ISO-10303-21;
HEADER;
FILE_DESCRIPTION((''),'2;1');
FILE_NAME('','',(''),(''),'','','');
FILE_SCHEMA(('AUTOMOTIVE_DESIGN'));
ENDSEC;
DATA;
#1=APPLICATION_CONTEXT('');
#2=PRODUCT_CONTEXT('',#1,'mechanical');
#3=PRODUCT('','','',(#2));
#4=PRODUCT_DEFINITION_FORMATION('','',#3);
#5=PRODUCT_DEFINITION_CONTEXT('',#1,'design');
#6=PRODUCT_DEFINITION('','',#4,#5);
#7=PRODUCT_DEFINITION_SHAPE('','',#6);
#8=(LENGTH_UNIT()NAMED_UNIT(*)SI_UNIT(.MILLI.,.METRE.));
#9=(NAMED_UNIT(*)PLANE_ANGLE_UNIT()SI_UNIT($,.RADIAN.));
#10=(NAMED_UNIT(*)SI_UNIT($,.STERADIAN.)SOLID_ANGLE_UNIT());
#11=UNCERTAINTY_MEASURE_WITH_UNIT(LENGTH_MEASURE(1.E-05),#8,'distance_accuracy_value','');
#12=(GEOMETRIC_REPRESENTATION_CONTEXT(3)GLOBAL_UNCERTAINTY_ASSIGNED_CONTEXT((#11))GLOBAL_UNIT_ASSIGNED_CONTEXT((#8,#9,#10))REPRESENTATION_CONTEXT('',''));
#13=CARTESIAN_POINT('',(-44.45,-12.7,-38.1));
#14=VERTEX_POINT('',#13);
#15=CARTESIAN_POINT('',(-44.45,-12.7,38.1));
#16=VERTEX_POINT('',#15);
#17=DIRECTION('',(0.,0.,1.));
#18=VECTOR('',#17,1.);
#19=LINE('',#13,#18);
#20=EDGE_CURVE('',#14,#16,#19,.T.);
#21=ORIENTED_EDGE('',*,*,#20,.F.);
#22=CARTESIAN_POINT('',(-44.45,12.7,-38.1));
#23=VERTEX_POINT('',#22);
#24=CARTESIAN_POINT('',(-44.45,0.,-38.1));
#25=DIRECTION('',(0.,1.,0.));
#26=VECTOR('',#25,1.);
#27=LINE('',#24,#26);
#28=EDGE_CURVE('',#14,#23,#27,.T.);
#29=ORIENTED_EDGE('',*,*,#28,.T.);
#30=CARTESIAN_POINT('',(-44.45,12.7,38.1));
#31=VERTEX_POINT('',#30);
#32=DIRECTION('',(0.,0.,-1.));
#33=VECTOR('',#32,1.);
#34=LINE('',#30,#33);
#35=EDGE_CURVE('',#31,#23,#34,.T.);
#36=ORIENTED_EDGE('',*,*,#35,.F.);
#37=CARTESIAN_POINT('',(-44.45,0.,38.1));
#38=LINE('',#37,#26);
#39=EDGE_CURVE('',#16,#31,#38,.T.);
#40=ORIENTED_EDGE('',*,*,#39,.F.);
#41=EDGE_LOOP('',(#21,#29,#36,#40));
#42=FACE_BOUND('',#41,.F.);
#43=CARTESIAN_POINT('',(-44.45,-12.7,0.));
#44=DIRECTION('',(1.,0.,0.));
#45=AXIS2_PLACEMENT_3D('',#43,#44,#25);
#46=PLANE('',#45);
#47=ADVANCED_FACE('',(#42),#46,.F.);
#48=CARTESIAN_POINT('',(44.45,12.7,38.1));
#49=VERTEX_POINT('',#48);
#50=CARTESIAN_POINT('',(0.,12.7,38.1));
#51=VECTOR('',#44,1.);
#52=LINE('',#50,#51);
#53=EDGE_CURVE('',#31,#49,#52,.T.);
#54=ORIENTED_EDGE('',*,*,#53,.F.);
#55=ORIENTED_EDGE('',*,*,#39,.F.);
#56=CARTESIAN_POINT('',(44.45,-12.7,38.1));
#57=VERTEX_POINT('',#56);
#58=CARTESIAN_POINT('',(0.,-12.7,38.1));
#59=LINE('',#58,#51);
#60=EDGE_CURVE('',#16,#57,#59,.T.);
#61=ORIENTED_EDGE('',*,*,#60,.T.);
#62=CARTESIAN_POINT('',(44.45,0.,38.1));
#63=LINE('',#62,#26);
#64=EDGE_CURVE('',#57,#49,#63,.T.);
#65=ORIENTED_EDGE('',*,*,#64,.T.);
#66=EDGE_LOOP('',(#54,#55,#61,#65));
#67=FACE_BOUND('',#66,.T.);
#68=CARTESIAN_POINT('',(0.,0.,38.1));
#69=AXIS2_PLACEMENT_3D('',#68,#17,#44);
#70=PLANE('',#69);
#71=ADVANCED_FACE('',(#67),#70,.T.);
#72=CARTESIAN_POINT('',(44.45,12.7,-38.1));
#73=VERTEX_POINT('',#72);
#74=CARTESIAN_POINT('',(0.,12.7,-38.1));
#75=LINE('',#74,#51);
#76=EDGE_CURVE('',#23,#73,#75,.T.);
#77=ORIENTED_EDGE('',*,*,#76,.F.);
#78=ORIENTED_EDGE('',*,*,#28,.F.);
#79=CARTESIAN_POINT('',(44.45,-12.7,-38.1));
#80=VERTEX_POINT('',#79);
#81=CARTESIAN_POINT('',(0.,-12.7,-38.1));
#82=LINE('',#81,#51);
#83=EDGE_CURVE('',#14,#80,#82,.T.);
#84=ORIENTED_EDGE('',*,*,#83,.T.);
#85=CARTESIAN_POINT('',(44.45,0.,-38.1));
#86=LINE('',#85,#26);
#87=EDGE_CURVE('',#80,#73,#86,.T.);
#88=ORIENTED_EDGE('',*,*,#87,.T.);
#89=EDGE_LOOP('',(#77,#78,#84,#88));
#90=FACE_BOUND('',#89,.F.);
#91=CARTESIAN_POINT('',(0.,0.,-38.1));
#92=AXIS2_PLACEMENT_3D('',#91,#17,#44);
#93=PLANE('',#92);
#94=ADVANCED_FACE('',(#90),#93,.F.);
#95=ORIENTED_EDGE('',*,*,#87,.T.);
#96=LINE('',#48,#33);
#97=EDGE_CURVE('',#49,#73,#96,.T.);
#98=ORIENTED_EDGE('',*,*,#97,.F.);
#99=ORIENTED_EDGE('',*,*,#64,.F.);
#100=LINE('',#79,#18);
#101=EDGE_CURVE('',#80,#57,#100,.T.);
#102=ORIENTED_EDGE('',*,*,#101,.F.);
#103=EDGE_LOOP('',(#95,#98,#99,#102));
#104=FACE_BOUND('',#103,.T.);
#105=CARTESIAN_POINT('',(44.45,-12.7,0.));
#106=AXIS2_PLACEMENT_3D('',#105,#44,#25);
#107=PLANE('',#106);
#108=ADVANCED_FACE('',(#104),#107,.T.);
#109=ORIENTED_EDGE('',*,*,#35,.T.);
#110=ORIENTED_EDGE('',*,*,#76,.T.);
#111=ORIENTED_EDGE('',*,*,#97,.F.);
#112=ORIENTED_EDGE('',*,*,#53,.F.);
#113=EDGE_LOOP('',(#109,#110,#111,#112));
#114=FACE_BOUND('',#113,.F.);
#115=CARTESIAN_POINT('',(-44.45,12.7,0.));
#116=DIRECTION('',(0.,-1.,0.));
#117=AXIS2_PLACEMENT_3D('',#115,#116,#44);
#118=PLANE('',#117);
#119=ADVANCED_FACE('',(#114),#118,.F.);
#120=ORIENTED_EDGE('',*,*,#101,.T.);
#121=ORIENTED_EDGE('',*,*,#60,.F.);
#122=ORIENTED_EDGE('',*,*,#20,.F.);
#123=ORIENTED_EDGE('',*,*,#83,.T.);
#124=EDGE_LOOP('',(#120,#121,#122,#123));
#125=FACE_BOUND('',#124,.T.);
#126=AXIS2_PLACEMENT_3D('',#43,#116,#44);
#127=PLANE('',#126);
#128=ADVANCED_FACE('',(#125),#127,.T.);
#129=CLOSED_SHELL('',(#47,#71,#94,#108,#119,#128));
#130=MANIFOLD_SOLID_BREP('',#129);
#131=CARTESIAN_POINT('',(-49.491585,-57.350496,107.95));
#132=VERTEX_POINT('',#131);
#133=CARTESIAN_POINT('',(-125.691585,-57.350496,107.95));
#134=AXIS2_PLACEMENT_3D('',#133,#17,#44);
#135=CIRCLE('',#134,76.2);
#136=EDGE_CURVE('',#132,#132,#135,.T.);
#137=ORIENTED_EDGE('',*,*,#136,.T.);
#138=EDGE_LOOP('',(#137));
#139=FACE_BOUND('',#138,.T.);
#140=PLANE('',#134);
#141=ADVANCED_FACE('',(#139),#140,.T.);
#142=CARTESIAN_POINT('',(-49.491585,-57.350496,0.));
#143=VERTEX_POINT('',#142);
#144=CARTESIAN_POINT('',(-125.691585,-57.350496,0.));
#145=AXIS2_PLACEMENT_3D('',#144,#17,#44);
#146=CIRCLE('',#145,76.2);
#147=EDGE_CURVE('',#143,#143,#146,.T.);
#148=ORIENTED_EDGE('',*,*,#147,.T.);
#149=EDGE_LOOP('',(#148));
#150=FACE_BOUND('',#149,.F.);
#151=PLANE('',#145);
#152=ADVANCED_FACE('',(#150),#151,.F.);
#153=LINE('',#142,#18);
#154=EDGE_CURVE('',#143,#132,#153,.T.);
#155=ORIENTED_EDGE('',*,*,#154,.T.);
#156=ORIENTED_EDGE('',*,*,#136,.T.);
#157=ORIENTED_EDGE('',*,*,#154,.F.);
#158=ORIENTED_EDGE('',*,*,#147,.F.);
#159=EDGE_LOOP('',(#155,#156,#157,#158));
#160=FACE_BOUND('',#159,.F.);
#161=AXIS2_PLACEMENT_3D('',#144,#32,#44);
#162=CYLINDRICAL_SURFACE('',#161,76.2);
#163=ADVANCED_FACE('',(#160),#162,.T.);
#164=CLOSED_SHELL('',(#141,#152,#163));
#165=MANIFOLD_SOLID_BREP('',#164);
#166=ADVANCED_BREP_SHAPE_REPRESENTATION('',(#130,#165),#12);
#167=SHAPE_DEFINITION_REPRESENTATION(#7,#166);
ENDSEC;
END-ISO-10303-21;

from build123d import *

# Parameters (mm, degrees)
F0_W     = 88.9
F0_H     = 25.4
F1_DEPTH = 38.1
F2_R     = 76.2
F3_DEPTH = 107.95


with BuildPart() as f1:
    # F0 (on Top) → F1 (new body, symmetric)
    with BuildSketch(Plane.XY):
        Rectangle(F0_W, F0_H)
    extrude(amount=F1_DEPTH, both=True)


with BuildPart() as f3:
    # F2 (on Top) → F3 (new body)
    with BuildSketch(Plane.XY):
        with Locations((-125.691585, -57.350496)):
            Circle(F2_R)
    extrude(amount=F3_DEPTH)


solid = Compound([f1.part, f3.part])
